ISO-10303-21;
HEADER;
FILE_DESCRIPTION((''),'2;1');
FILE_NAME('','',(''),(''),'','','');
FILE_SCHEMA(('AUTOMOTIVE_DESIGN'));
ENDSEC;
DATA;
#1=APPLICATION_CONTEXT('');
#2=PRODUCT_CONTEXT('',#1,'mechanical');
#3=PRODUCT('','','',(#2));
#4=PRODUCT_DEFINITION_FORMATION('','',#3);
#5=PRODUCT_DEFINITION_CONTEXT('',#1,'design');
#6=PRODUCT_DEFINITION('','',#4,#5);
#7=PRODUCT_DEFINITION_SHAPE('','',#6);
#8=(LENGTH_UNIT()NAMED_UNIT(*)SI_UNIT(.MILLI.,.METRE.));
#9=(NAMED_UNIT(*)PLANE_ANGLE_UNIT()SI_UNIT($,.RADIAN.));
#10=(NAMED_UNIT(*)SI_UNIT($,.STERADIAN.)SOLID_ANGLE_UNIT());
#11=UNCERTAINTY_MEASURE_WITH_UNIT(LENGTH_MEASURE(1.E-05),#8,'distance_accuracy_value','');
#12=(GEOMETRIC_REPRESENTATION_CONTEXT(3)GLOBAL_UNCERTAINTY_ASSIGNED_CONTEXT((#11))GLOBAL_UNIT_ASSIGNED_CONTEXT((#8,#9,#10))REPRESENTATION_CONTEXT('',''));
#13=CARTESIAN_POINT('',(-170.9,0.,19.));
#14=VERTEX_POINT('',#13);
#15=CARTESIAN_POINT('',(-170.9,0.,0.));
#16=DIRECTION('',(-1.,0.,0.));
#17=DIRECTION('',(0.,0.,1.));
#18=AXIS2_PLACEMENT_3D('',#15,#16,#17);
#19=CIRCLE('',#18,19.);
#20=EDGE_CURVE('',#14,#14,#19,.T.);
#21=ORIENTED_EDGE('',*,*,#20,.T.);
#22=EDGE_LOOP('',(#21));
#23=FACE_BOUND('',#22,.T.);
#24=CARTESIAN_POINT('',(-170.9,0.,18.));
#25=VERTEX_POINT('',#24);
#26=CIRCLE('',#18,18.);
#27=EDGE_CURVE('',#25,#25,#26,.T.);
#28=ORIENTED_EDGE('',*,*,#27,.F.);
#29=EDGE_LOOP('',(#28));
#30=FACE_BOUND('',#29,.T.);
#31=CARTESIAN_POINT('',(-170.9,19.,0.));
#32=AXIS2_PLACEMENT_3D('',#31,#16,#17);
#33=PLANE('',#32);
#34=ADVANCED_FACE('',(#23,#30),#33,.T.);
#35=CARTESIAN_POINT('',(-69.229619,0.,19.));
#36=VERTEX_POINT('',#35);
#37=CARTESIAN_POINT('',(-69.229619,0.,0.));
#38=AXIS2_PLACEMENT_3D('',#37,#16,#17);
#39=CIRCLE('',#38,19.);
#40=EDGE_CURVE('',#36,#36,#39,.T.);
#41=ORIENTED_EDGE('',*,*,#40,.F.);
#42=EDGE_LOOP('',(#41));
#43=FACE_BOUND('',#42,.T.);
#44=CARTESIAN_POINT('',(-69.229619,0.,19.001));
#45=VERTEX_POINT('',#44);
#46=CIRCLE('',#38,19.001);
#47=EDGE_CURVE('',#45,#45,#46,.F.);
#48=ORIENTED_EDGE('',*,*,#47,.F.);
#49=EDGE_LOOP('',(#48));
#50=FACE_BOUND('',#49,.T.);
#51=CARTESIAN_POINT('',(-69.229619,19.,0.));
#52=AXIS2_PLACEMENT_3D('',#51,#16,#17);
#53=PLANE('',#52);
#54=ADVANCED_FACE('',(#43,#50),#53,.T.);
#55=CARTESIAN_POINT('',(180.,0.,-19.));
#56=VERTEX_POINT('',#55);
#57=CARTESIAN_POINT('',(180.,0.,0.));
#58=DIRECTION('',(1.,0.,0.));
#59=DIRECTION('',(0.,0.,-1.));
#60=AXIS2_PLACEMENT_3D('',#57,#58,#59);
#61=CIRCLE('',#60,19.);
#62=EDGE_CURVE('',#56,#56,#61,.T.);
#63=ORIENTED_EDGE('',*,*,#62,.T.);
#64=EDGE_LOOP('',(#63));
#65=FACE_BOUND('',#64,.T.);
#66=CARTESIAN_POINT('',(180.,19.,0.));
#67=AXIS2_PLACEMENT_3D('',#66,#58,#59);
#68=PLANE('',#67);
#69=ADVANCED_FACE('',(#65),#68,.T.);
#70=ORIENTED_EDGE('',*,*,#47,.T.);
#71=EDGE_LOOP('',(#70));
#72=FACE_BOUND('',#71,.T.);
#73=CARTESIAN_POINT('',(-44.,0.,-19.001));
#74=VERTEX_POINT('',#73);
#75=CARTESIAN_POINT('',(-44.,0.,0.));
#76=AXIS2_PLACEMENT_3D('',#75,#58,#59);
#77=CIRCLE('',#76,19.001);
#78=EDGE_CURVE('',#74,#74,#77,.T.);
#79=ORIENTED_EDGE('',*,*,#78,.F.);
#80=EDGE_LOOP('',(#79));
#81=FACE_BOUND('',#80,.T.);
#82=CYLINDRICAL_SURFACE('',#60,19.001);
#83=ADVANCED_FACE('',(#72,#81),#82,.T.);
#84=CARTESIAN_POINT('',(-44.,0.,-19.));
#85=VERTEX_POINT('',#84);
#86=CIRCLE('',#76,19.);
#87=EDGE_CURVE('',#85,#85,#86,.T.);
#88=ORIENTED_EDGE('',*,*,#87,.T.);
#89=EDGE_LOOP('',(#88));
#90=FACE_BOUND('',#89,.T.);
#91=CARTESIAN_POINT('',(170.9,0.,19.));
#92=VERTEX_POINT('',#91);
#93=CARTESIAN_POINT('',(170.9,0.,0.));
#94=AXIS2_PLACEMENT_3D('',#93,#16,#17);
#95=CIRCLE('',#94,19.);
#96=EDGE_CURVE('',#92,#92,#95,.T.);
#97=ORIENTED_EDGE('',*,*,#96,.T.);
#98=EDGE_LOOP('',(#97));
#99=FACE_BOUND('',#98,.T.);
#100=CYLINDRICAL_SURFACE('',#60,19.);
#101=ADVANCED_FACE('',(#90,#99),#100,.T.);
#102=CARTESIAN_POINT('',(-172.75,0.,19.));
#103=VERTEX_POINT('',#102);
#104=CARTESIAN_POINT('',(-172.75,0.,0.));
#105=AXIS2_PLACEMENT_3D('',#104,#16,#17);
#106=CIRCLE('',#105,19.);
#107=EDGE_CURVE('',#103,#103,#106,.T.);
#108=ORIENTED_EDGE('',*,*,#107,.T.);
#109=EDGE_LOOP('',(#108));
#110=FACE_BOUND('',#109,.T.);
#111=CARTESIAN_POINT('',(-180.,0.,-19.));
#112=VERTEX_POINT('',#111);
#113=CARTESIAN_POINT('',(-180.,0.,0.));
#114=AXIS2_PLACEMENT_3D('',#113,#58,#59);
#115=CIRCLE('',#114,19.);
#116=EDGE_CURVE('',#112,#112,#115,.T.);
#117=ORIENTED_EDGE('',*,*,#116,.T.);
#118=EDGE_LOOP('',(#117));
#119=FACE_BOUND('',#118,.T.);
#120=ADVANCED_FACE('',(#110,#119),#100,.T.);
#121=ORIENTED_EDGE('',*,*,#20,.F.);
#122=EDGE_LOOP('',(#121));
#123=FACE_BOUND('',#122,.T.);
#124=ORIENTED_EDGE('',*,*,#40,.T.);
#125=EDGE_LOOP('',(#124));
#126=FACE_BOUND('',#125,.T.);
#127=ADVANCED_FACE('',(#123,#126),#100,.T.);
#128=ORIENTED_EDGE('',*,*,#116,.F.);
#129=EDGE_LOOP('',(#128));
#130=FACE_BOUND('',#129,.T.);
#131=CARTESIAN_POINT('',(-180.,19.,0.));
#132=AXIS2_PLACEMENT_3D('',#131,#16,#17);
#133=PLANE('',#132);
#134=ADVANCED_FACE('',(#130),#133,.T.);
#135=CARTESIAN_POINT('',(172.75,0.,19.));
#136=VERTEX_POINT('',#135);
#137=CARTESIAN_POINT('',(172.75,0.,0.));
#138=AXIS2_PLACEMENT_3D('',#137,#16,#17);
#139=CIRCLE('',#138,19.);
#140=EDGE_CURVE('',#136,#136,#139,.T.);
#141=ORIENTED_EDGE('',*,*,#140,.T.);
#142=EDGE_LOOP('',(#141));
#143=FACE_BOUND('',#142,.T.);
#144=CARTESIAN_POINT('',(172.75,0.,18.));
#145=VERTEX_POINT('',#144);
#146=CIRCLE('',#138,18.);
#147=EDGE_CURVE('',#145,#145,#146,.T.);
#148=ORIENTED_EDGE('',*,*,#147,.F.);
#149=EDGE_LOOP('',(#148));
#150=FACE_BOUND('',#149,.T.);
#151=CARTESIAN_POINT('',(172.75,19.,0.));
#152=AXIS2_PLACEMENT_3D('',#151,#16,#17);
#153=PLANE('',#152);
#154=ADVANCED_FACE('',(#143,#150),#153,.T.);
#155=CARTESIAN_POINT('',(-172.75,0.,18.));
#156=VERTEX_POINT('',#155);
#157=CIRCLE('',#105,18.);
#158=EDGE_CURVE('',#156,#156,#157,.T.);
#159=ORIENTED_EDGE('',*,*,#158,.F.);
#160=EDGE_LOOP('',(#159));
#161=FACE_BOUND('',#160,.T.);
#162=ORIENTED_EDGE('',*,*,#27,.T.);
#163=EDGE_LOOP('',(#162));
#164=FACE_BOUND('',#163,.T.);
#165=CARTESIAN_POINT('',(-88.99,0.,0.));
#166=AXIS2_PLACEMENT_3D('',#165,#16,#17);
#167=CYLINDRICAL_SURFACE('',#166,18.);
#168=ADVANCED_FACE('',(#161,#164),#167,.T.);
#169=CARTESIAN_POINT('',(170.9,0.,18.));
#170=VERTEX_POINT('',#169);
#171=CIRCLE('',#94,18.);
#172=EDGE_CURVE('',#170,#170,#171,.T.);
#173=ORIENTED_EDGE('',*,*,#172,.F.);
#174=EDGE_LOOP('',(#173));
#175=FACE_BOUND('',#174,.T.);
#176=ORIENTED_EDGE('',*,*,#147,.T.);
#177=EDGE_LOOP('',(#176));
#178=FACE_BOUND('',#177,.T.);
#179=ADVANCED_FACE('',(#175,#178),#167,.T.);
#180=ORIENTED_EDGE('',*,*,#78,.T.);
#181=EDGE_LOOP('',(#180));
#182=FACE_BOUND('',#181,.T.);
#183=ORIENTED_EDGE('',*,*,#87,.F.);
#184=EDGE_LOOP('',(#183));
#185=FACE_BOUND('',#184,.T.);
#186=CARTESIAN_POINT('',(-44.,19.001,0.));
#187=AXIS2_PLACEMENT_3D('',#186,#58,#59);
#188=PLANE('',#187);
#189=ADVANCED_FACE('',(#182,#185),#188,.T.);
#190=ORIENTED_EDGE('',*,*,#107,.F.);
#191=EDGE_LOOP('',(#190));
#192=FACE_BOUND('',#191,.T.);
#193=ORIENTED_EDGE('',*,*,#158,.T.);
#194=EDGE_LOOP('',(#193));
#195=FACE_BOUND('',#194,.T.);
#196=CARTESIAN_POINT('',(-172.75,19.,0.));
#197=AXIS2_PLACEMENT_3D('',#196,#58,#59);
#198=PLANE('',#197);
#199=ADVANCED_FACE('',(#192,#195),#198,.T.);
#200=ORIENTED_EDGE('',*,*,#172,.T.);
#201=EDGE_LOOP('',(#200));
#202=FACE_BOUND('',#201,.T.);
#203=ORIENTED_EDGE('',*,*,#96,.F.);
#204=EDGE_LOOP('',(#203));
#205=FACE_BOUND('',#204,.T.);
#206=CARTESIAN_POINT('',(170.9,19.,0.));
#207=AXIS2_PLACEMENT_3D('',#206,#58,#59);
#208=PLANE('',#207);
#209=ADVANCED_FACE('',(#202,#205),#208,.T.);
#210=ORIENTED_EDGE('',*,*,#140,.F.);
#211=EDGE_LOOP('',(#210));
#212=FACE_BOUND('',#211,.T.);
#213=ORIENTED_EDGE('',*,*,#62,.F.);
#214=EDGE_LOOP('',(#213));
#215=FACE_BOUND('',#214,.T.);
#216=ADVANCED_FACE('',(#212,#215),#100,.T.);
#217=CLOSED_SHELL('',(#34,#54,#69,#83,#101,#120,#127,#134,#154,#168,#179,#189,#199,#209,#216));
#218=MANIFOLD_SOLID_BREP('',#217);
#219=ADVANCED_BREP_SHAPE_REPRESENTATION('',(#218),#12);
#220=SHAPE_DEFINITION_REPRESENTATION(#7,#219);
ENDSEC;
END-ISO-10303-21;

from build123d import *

# Parameters (mm, degrees)
SKIZZE19_W = 1.85
SKIZZE19_H = 1
SKIZZE20_W = 1.85
SKIZZE20_H = 1
SKETCH1_W  = 14.101371306
SKETCH1_H  = 11.293421516


with BuildPart() as part:
    # Skizze1 → Rotation1 (revolve)
    with BuildSketch(Plane.XY, mode=Mode.PRIVATE) as rotation1_sk:
        Polygon((180, 19), (180, 0), (-180, 0), (-180, 19), (-79, 19), (-79, 27), (-74, 27), (-74, 19.001), (-44, 19.001), (-44, 19), align=None)
    revolve(rotation1_sk.sketch.rotate(Axis((180, 0, 0), (-1, 0, 0)), 90), axis=Axis((180, 0, 0), (-1, 0, 0)))

    # Skizze19 → Schnitt-Rotation1 (revolve, cut)
    with BuildSketch(Plane.XY, mode=Mode.PRIVATE) as schnitt_rotation1_sk:
        with Locations((171.825, 18.5)):
            Rectangle(SKIZZE19_W, SKIZZE19_H)
    revolve(schnitt_rotation1_sk.sketch.rotate(Axis((-88.99, 0, 0), (1, 0, 0)), 270), axis=Axis((-88.99, 0, 0), (1, 0, 0)), mode=Mode.SUBTRACT)

    # Skizze20 → Schnitt-Rotation2 (revolve, cut)
    with BuildSketch(Plane.XY, mode=Mode.PRIVATE) as schnitt_rotation2_sk:
        with Locations((-171.825, 18.5)):
            Rectangle(SKIZZE20_W, SKIZZE20_H)
    revolve(schnitt_rotation2_sk.sketch.rotate(Axis((-88.99, 0, 0), (1, 0, 0)), 270), axis=Axis((-88.99, 0, 0), (1, 0, 0)), mode=Mode.SUBTRACT)

    # Sketch1 → Cut-Revolve1 (revolve, cut)
    with BuildSketch(Plane.XY, mode=Mode.PRIVATE) as cut_revolve1_sk:
        with Locations((-76.280304753, 24.646710758)):
            Rectangle(SKETCH1_W, SKETCH1_H)
    revolve(cut_revolve1_sk.sketch.rotate(Axis((-191.164691911, 0, 0), (1, 0, 0)), 90), axis=Axis((-191.164691911, 0, 0), (1, 0, 0)), mode=Mode.SUBTRACT)


solid = part.part
